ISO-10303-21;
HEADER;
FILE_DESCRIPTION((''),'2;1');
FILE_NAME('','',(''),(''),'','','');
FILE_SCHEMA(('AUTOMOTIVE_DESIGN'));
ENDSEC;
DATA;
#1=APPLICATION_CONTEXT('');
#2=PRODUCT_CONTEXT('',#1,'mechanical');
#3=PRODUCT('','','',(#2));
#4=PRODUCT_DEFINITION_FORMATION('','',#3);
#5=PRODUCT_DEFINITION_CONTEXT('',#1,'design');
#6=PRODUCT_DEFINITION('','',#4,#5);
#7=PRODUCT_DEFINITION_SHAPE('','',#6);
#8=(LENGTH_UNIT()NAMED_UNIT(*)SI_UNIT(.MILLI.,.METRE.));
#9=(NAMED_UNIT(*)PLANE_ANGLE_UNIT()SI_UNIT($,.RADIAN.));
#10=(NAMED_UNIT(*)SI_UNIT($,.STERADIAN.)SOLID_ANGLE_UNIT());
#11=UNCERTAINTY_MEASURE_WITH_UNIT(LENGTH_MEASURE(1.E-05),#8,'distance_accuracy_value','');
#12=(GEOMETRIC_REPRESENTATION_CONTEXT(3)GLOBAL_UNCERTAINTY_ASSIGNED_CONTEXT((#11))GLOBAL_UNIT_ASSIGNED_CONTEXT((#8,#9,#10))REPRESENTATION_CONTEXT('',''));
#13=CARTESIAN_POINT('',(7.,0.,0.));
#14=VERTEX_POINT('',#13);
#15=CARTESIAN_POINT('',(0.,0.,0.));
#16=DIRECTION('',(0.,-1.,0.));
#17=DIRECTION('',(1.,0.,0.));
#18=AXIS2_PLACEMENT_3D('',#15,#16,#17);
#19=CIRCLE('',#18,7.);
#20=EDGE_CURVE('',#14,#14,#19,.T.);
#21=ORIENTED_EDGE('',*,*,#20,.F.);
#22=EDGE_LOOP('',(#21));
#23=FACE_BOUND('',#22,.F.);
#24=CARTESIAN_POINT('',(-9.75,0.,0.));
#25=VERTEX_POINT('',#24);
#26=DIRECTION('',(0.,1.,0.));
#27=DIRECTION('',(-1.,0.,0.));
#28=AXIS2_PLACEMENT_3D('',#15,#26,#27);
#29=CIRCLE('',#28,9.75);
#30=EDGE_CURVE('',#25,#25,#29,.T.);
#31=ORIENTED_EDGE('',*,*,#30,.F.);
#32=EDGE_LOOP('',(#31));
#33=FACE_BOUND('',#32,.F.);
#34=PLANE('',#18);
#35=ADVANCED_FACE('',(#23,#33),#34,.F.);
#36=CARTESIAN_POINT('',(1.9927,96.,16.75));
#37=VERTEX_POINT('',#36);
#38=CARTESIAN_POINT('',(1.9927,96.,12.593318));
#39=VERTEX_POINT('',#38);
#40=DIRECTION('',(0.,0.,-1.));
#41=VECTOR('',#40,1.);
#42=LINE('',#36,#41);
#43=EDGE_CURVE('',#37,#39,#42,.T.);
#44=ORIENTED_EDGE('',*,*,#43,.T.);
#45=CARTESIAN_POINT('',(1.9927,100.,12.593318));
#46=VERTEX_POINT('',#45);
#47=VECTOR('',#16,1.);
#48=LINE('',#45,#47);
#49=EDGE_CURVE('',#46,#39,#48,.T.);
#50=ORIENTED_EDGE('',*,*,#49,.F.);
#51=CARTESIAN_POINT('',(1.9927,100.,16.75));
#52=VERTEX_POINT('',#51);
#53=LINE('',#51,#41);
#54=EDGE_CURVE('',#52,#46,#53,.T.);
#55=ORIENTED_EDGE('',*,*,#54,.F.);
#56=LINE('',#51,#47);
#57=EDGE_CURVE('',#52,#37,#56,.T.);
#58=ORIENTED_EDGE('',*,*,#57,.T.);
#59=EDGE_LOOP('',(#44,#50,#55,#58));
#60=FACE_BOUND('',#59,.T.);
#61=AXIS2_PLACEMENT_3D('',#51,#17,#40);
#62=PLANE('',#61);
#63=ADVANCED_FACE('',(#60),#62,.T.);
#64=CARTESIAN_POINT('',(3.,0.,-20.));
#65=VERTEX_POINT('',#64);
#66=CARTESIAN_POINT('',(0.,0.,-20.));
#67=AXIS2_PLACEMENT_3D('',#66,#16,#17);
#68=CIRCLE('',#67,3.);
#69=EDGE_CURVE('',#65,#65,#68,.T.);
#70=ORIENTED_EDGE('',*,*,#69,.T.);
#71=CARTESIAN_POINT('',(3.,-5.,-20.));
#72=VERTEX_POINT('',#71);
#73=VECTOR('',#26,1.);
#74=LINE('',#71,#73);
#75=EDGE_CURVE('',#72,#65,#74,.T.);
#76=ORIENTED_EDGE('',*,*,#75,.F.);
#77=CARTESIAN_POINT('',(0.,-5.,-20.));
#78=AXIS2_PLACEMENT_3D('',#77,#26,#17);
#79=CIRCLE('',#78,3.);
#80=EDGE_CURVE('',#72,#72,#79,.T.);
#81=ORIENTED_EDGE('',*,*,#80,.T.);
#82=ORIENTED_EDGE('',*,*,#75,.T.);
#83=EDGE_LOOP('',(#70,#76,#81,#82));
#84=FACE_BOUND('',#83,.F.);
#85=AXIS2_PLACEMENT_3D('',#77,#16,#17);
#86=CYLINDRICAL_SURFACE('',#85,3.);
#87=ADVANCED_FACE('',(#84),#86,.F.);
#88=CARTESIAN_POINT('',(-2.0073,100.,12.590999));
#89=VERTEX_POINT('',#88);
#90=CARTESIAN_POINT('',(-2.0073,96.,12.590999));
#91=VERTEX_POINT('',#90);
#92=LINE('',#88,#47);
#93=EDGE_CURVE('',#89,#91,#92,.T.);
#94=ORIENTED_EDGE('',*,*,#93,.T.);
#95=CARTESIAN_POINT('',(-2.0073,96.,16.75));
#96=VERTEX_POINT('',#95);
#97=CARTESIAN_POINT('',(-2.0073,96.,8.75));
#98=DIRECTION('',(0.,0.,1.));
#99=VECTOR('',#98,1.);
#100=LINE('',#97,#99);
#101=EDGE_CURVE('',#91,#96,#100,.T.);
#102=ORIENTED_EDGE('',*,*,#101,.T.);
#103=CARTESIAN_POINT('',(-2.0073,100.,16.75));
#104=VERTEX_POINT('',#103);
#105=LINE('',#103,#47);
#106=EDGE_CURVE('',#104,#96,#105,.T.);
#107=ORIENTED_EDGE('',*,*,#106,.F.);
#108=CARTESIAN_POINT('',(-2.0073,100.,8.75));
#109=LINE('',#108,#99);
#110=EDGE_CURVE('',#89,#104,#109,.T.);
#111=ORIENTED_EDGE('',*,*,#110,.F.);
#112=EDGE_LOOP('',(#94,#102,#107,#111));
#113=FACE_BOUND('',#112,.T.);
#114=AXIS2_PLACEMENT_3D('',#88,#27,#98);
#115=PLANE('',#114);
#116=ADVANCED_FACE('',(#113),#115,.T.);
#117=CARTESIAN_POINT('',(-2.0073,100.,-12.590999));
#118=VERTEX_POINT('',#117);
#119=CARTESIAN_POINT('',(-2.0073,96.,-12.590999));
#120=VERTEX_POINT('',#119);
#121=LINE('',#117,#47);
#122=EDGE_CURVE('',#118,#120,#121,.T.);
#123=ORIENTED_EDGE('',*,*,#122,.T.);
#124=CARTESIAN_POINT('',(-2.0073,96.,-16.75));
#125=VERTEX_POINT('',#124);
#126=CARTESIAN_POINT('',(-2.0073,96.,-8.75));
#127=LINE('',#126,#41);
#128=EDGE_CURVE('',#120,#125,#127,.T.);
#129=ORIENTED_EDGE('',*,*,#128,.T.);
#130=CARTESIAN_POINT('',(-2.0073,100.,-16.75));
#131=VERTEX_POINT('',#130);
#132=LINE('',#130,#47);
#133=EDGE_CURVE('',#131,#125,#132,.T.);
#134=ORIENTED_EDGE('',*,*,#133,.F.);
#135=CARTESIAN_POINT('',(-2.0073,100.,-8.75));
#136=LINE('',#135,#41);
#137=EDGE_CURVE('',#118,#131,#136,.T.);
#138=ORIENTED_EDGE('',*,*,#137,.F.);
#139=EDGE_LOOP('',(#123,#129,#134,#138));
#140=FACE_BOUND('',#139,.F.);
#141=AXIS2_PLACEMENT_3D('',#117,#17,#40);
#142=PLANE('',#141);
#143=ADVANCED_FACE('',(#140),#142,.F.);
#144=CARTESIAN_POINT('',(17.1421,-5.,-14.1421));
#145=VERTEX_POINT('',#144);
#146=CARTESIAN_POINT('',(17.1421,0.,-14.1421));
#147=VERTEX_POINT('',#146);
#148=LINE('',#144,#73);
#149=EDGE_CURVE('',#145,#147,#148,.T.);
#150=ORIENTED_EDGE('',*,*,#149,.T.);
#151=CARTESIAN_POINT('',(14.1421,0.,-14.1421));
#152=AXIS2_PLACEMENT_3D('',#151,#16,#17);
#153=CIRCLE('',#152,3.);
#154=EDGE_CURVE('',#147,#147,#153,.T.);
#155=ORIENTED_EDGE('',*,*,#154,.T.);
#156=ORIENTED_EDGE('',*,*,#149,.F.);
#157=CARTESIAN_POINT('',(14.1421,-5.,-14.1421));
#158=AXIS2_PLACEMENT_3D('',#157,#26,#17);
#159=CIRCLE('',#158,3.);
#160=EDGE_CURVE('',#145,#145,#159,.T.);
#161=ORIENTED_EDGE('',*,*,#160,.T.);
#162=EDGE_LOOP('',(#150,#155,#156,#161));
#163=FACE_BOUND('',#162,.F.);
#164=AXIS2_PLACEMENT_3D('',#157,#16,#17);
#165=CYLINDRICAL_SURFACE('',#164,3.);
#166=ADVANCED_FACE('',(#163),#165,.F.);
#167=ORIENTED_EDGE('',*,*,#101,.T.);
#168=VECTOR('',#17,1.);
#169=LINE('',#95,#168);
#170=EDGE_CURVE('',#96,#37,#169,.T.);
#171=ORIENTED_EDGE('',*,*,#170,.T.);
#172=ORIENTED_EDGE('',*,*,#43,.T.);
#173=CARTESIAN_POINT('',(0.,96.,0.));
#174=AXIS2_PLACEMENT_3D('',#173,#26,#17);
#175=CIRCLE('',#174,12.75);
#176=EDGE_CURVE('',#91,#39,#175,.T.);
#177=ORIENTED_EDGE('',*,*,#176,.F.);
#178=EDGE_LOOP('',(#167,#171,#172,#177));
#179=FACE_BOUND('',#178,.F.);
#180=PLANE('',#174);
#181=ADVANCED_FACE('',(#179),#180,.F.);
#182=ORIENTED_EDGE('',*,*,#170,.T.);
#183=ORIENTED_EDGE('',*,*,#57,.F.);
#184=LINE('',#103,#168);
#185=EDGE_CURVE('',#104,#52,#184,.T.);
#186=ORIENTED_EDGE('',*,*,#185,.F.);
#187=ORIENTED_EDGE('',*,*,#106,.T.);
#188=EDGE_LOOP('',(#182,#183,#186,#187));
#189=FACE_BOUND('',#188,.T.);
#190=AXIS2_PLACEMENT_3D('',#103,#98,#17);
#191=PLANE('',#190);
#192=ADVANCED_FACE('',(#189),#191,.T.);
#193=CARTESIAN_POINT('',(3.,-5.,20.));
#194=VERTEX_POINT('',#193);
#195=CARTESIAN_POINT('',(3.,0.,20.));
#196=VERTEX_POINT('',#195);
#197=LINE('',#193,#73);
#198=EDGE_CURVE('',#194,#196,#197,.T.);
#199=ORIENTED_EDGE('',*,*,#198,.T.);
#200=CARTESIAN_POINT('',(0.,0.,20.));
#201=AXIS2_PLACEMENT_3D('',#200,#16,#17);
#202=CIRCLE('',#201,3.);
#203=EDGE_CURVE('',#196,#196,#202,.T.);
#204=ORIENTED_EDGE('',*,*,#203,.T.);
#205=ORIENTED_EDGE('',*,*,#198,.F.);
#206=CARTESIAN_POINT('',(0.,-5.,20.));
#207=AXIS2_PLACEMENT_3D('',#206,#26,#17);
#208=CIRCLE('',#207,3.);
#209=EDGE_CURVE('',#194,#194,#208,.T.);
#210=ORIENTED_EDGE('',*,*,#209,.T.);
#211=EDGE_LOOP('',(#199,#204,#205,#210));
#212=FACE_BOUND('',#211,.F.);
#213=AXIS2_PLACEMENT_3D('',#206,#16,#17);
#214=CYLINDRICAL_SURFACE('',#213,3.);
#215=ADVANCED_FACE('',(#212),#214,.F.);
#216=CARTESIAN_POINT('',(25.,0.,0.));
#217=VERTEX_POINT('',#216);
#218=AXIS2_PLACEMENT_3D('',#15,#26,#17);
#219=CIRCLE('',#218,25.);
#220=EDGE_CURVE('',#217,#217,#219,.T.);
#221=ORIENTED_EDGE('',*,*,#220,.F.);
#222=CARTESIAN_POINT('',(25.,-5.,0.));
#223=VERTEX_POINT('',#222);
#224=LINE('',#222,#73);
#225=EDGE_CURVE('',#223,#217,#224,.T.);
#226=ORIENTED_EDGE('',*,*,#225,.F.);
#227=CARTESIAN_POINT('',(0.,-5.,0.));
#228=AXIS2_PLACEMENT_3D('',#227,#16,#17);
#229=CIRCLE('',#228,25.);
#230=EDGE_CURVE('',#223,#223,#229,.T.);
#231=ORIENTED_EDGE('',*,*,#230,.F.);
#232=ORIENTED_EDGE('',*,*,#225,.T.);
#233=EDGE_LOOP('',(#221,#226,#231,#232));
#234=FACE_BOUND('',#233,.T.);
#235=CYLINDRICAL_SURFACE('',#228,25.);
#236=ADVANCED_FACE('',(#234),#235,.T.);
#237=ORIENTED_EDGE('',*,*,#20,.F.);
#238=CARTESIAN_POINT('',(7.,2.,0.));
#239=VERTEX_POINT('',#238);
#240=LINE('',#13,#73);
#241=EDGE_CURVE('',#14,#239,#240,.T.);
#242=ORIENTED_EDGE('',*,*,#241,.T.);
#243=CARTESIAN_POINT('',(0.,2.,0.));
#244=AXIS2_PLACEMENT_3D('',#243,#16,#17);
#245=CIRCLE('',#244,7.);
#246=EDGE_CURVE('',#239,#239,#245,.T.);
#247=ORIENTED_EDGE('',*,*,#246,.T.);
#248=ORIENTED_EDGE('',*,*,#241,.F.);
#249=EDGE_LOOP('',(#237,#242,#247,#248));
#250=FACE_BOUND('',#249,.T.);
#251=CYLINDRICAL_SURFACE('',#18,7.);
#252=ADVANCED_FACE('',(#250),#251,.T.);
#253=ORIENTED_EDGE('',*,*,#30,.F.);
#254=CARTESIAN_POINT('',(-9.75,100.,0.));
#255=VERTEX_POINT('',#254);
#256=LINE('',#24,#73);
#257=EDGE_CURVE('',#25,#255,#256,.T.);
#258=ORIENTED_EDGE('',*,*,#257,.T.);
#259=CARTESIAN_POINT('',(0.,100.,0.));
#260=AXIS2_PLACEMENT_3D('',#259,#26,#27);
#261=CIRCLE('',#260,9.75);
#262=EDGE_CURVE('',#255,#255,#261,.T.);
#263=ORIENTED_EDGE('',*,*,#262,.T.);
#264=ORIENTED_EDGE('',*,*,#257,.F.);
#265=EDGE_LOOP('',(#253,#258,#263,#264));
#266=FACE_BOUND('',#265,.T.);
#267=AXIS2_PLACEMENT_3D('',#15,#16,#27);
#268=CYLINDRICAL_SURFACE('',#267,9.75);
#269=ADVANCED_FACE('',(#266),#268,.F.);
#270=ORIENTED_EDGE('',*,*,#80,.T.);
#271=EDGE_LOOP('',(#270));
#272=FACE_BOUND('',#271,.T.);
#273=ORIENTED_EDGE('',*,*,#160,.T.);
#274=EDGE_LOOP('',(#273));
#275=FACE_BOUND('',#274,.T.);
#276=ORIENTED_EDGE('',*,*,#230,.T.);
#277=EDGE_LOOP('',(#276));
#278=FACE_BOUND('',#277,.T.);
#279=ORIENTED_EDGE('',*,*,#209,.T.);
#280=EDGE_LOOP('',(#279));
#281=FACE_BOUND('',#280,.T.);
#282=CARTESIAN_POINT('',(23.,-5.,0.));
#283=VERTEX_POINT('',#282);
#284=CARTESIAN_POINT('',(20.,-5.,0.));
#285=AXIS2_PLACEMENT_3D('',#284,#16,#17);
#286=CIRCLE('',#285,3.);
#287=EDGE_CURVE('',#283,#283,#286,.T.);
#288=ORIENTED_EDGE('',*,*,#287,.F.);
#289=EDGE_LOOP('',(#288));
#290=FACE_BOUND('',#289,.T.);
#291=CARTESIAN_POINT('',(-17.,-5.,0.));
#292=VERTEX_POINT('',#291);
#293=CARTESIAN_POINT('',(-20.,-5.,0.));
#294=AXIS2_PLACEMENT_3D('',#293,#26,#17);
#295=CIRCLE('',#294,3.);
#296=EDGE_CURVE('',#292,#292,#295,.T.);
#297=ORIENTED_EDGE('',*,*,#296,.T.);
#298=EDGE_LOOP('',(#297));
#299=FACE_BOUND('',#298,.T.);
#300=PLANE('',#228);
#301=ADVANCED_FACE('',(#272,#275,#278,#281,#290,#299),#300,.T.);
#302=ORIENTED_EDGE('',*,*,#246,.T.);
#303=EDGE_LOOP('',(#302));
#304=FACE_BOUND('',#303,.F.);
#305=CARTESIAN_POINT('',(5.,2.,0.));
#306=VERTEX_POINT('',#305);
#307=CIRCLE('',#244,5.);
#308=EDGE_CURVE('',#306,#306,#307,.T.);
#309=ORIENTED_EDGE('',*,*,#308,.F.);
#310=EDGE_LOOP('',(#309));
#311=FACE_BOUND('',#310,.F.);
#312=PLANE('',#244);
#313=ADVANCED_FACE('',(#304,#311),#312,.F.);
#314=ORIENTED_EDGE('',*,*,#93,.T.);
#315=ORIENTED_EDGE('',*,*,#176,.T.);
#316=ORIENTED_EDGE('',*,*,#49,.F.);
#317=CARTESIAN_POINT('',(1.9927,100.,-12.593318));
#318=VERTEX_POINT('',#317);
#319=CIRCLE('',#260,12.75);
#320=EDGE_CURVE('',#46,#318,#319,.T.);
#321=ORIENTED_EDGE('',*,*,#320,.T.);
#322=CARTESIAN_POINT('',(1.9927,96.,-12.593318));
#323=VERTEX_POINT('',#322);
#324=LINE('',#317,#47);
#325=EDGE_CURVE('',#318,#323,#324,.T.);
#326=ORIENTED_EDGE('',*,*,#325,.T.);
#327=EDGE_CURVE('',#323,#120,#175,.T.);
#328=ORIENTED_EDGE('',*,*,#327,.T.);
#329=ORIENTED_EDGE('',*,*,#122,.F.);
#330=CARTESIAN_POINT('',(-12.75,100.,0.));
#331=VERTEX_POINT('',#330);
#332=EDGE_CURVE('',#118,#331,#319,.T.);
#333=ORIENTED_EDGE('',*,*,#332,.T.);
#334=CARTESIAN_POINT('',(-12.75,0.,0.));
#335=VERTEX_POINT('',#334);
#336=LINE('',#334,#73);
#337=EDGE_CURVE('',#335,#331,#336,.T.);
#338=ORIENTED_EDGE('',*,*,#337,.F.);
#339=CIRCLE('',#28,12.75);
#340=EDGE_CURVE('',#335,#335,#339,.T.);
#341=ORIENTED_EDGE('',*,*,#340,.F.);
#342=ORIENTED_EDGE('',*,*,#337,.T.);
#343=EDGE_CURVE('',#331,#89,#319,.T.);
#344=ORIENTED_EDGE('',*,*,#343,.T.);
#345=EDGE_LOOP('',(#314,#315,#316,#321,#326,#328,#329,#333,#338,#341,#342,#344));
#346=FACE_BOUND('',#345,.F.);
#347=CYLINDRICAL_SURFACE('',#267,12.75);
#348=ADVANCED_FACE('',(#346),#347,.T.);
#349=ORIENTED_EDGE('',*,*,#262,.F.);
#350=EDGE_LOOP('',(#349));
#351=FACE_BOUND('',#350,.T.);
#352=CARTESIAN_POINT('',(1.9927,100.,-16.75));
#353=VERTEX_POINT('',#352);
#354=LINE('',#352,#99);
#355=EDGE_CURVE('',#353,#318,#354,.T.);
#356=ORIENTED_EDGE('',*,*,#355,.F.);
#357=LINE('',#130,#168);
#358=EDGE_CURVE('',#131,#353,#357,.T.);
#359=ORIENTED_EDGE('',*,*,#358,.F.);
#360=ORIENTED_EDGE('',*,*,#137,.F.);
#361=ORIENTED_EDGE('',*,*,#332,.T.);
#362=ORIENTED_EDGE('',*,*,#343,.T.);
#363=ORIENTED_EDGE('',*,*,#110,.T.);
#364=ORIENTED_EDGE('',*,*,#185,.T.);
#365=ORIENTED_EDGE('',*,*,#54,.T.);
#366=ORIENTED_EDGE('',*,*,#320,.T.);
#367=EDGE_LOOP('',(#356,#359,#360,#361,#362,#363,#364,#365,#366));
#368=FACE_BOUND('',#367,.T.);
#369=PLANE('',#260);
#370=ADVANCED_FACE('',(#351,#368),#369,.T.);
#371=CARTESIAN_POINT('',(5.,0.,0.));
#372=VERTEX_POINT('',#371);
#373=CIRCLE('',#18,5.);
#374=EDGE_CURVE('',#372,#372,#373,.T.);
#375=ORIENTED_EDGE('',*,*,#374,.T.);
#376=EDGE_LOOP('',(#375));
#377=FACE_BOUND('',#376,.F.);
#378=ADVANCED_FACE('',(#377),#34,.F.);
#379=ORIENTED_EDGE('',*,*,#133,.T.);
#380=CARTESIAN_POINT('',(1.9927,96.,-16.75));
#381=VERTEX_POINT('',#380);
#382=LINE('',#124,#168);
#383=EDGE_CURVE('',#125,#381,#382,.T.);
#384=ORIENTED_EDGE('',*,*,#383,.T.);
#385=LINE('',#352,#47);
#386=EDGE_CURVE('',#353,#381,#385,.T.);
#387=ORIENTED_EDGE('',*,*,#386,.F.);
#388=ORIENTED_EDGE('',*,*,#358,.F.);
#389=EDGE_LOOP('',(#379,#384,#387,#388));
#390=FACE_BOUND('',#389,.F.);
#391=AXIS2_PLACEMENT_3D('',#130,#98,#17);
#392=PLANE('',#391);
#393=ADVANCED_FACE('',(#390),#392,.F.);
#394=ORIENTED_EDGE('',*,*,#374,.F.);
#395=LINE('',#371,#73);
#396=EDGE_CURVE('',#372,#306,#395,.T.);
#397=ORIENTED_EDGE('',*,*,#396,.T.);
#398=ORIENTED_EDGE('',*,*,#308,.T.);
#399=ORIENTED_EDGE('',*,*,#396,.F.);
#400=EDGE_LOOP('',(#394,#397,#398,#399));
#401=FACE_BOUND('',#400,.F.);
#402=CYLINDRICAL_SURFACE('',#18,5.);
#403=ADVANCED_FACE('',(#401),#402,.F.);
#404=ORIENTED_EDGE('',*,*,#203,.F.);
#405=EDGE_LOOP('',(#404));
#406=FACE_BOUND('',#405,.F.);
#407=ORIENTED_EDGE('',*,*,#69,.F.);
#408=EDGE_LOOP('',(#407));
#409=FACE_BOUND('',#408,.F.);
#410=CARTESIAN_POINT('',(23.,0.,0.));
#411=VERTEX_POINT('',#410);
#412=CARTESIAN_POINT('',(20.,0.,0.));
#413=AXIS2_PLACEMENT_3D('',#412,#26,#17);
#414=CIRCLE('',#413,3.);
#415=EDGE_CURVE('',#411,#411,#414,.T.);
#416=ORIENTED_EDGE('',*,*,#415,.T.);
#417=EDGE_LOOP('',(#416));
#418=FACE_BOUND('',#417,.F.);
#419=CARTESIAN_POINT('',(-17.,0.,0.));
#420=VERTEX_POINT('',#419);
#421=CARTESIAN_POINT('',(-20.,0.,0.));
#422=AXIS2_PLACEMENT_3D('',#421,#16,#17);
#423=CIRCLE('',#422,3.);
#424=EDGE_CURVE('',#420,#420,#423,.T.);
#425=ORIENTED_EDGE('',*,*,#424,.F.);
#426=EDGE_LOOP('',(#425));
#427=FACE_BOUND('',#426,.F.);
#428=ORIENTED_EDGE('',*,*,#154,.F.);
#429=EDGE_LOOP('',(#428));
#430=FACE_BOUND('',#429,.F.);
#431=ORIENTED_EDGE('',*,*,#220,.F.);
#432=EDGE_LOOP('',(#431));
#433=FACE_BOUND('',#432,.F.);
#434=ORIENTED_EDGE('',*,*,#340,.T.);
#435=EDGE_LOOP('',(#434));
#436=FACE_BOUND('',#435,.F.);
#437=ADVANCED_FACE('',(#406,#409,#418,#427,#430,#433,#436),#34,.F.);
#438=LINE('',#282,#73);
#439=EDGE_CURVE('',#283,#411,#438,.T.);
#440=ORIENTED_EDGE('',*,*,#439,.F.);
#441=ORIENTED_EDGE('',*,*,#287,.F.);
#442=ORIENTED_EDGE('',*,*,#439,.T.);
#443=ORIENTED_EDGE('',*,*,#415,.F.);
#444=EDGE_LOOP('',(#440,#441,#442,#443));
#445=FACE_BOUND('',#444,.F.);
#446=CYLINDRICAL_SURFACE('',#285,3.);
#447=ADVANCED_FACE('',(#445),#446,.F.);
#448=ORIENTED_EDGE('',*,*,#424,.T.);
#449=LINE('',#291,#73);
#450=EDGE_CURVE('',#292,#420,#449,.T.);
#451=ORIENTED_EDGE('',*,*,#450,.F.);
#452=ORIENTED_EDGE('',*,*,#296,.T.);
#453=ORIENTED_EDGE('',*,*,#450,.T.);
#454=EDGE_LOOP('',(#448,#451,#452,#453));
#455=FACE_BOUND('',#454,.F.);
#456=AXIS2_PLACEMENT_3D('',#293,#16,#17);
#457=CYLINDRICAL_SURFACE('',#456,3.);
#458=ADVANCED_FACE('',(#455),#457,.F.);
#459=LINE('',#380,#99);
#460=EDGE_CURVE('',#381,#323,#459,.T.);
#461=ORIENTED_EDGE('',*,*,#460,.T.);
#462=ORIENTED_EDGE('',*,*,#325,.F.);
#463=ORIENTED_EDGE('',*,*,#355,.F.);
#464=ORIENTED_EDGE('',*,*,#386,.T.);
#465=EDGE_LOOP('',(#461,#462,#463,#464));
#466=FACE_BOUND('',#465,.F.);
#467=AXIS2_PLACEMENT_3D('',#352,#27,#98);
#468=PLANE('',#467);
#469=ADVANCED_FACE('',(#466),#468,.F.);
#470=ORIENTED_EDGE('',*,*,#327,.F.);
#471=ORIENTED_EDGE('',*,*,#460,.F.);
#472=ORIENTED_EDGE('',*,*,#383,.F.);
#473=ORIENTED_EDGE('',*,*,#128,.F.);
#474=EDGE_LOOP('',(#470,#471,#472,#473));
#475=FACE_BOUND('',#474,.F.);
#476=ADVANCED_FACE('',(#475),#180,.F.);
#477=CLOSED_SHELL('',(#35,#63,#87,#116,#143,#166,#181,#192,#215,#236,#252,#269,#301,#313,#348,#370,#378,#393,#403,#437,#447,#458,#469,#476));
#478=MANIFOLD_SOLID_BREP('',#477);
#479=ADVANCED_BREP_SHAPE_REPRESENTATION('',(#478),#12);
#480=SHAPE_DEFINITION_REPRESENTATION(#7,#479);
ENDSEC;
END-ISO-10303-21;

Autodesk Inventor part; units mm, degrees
ref_plane "YZ Plane" through (0, 0, 0) normal (1, 0, 0) x (0, 1, 0)
ref_plane "XZ Plane" through (0, 0, 0) normal (0, 1, 0) x (-1, 0, 0)
ref_plane "XY Plane" through (0, 0, 0) normal (0, 0, 1) x (1, 0, 0)
sketch "Sketch1" plane through (0, 0, 0) normal (0, 1, 0) x (-1, 0, 0)
  circle A0 centre (0, 0) radius 9.75
  circle A1 centre (0, 0) radius 12.75
  dimension "d0" = 19.5
  dimension "d1" = 3
extrude "Extrusion1" add sketch "Sketch1" along normal blind 100
sketch "Sketch2" plane through (0, 0, 0) normal (0, -1, 0) x (1, 0, 0)
  circle A0 centre (0, 0) radius 5
  circle A1 centre (0, 0) radius 7
  dimension "d4" = 10
  dimension "d5" = 14
extrude "Extrusion2" add sketch "Sketch2" against normal blind 2
sketch "Sketch3" plane through (0, 0, 0) normal (0, -1, 0) x (1, 0, 0)
  circle A0 centre (0, 0) radius 12.75
extrude "Extrusion3" add sketch "Sketch3" along normal blind 5
sketch "Sketch4" plane through (0, -5, 0) normal (0, -1, 0) x (1, 0, 0)
  circle A0 centre (0, 0) radius 25
  circle A1 centre (0, 0) radius 7 projected
  circle A2 centre (0, 0) radius 20
  circle A3 centre (-20, 0) radius 3
  circle A4 centre (0, 20) radius 3
  circle A5 centre (20, 0) radius 3
  circle A6 centre (0, -20) radius 3
  circle A7 centre (0, 0) radius 12.75 projected
  line L0 (-20, 0) -> (0, 0)
  circle A8 centre (0, 0) radius 9.75 projected
  line L1 (0, 20) -> (0, 0)
  circle A9 centre (0, 0) radius 5 projected
  line L2 (20, 0) -> (0, 0)
  line L3 (0, -20) -> (0, 0)
  circle A10 centre (14.1421, -14.1421) radius 3
  line L4 (14.1421, -14.1421) -> (0, 0)
  line L5 (-35, 0) -> (35, 0) projected
  dimension "d10" = 50
  dimension "d11" = 40
  dimension "d12" = 90
  dimension "d13" = 90
  dimension "d14" = 90
  dimension "d15" = 45
  dimension "d16" = 6
extrude "Extrusion4" add sketch "Sketch4" against normal blind 5 contours L5 A5 A2 A4 A3 A0 | A0 L5 A3 A2 A6 A10 A5 | A5 L2 A7 L1 A4 A2 | A2 A10 L4 A7 L2 A5 | A2 A4 L1 A7 L0 A3 | A3 L0 A7 L3 A6 A2 | L2 A8 L1 A7 | A7 L4 A8 L2 | A10 A2 A6 L3 A7 L4 | L0 A8 L3 A7 | A7 L1 A8 L0 | A7 L3 A8 L4 | L2 A1 L1 A8 | A8 L4 A1 L2 | A8 L1 A1 L0 | L0 A1 L3 A8 | A8 L3 A1 L4 | L2 A9 L1 A1 | A1 L4 A9 L2 | L0 A9 L3 A1 | A1 L1 A9 L0 | A1 L3 A9 L4 | L2 L1 A9 | A9 L4 L2 | A9 L1 L0 | L0 L3 A9 | A9 L3 L4
sketch "Sketch5" plane through (0, 100, 0) normal (0, 1, 0) x (1, 0, 0)
  circle A0 centre (0, 0) radius 12.75 projected
  circle A1 centre (0, 0) radius 9.75 projected
  line L0 (1.9927, -8.75) -> (-2.0073, -8.75)
  line L1 (-2.0073, -8.75) -> (-2.0073, -16.75)
  line L2 (-2.0073, -16.75) -> (1.9927, -16.75)
  line L3 (1.9927, -16.75) -> (1.9927, -8.75)
  circle A2 centre (0, 0) radius 12.75 projected
  line L4 (1.9927, -8.75) -> (-2.0073, -16.75) construction
  line L5 (-2.0073, -8.75) -> (1.9927, -16.75) construction
  line L6 (1.9927, 8.75) -> (-2.0073, 8.75)
  line L7 (-2.0073, 8.75) -> (-2.0073, 16.75)
  line L8 (-2.0073, 16.75) -> (1.9927, 16.75)
  line L9 (1.9927, 16.75) -> (1.9927, 8.75)
  line L10 (1.9927, 8.75) -> (-2.0073, 16.75) construction
  line L11 (-2.0073, 8.75) -> (1.9927, 16.75) construction
  point P0 (-0.0073, -12.75)
  point P1 (-0.0073, 12.75)
  point P2 (1.9927, -12.5933)
  point P3 (-2.0073, -12.591)
  point P4 (-2.0073, 12.591)
  point P5 (1.9927, 12.5933)
  dimension "d19" = 4
  dimension "d20" = 8
extrude "Extrusion5" add sketch "Sketch5" against normal blind 4 contours A0 L7 L8 L9 | L3 L2 L1 A0
properties part number "Base"
